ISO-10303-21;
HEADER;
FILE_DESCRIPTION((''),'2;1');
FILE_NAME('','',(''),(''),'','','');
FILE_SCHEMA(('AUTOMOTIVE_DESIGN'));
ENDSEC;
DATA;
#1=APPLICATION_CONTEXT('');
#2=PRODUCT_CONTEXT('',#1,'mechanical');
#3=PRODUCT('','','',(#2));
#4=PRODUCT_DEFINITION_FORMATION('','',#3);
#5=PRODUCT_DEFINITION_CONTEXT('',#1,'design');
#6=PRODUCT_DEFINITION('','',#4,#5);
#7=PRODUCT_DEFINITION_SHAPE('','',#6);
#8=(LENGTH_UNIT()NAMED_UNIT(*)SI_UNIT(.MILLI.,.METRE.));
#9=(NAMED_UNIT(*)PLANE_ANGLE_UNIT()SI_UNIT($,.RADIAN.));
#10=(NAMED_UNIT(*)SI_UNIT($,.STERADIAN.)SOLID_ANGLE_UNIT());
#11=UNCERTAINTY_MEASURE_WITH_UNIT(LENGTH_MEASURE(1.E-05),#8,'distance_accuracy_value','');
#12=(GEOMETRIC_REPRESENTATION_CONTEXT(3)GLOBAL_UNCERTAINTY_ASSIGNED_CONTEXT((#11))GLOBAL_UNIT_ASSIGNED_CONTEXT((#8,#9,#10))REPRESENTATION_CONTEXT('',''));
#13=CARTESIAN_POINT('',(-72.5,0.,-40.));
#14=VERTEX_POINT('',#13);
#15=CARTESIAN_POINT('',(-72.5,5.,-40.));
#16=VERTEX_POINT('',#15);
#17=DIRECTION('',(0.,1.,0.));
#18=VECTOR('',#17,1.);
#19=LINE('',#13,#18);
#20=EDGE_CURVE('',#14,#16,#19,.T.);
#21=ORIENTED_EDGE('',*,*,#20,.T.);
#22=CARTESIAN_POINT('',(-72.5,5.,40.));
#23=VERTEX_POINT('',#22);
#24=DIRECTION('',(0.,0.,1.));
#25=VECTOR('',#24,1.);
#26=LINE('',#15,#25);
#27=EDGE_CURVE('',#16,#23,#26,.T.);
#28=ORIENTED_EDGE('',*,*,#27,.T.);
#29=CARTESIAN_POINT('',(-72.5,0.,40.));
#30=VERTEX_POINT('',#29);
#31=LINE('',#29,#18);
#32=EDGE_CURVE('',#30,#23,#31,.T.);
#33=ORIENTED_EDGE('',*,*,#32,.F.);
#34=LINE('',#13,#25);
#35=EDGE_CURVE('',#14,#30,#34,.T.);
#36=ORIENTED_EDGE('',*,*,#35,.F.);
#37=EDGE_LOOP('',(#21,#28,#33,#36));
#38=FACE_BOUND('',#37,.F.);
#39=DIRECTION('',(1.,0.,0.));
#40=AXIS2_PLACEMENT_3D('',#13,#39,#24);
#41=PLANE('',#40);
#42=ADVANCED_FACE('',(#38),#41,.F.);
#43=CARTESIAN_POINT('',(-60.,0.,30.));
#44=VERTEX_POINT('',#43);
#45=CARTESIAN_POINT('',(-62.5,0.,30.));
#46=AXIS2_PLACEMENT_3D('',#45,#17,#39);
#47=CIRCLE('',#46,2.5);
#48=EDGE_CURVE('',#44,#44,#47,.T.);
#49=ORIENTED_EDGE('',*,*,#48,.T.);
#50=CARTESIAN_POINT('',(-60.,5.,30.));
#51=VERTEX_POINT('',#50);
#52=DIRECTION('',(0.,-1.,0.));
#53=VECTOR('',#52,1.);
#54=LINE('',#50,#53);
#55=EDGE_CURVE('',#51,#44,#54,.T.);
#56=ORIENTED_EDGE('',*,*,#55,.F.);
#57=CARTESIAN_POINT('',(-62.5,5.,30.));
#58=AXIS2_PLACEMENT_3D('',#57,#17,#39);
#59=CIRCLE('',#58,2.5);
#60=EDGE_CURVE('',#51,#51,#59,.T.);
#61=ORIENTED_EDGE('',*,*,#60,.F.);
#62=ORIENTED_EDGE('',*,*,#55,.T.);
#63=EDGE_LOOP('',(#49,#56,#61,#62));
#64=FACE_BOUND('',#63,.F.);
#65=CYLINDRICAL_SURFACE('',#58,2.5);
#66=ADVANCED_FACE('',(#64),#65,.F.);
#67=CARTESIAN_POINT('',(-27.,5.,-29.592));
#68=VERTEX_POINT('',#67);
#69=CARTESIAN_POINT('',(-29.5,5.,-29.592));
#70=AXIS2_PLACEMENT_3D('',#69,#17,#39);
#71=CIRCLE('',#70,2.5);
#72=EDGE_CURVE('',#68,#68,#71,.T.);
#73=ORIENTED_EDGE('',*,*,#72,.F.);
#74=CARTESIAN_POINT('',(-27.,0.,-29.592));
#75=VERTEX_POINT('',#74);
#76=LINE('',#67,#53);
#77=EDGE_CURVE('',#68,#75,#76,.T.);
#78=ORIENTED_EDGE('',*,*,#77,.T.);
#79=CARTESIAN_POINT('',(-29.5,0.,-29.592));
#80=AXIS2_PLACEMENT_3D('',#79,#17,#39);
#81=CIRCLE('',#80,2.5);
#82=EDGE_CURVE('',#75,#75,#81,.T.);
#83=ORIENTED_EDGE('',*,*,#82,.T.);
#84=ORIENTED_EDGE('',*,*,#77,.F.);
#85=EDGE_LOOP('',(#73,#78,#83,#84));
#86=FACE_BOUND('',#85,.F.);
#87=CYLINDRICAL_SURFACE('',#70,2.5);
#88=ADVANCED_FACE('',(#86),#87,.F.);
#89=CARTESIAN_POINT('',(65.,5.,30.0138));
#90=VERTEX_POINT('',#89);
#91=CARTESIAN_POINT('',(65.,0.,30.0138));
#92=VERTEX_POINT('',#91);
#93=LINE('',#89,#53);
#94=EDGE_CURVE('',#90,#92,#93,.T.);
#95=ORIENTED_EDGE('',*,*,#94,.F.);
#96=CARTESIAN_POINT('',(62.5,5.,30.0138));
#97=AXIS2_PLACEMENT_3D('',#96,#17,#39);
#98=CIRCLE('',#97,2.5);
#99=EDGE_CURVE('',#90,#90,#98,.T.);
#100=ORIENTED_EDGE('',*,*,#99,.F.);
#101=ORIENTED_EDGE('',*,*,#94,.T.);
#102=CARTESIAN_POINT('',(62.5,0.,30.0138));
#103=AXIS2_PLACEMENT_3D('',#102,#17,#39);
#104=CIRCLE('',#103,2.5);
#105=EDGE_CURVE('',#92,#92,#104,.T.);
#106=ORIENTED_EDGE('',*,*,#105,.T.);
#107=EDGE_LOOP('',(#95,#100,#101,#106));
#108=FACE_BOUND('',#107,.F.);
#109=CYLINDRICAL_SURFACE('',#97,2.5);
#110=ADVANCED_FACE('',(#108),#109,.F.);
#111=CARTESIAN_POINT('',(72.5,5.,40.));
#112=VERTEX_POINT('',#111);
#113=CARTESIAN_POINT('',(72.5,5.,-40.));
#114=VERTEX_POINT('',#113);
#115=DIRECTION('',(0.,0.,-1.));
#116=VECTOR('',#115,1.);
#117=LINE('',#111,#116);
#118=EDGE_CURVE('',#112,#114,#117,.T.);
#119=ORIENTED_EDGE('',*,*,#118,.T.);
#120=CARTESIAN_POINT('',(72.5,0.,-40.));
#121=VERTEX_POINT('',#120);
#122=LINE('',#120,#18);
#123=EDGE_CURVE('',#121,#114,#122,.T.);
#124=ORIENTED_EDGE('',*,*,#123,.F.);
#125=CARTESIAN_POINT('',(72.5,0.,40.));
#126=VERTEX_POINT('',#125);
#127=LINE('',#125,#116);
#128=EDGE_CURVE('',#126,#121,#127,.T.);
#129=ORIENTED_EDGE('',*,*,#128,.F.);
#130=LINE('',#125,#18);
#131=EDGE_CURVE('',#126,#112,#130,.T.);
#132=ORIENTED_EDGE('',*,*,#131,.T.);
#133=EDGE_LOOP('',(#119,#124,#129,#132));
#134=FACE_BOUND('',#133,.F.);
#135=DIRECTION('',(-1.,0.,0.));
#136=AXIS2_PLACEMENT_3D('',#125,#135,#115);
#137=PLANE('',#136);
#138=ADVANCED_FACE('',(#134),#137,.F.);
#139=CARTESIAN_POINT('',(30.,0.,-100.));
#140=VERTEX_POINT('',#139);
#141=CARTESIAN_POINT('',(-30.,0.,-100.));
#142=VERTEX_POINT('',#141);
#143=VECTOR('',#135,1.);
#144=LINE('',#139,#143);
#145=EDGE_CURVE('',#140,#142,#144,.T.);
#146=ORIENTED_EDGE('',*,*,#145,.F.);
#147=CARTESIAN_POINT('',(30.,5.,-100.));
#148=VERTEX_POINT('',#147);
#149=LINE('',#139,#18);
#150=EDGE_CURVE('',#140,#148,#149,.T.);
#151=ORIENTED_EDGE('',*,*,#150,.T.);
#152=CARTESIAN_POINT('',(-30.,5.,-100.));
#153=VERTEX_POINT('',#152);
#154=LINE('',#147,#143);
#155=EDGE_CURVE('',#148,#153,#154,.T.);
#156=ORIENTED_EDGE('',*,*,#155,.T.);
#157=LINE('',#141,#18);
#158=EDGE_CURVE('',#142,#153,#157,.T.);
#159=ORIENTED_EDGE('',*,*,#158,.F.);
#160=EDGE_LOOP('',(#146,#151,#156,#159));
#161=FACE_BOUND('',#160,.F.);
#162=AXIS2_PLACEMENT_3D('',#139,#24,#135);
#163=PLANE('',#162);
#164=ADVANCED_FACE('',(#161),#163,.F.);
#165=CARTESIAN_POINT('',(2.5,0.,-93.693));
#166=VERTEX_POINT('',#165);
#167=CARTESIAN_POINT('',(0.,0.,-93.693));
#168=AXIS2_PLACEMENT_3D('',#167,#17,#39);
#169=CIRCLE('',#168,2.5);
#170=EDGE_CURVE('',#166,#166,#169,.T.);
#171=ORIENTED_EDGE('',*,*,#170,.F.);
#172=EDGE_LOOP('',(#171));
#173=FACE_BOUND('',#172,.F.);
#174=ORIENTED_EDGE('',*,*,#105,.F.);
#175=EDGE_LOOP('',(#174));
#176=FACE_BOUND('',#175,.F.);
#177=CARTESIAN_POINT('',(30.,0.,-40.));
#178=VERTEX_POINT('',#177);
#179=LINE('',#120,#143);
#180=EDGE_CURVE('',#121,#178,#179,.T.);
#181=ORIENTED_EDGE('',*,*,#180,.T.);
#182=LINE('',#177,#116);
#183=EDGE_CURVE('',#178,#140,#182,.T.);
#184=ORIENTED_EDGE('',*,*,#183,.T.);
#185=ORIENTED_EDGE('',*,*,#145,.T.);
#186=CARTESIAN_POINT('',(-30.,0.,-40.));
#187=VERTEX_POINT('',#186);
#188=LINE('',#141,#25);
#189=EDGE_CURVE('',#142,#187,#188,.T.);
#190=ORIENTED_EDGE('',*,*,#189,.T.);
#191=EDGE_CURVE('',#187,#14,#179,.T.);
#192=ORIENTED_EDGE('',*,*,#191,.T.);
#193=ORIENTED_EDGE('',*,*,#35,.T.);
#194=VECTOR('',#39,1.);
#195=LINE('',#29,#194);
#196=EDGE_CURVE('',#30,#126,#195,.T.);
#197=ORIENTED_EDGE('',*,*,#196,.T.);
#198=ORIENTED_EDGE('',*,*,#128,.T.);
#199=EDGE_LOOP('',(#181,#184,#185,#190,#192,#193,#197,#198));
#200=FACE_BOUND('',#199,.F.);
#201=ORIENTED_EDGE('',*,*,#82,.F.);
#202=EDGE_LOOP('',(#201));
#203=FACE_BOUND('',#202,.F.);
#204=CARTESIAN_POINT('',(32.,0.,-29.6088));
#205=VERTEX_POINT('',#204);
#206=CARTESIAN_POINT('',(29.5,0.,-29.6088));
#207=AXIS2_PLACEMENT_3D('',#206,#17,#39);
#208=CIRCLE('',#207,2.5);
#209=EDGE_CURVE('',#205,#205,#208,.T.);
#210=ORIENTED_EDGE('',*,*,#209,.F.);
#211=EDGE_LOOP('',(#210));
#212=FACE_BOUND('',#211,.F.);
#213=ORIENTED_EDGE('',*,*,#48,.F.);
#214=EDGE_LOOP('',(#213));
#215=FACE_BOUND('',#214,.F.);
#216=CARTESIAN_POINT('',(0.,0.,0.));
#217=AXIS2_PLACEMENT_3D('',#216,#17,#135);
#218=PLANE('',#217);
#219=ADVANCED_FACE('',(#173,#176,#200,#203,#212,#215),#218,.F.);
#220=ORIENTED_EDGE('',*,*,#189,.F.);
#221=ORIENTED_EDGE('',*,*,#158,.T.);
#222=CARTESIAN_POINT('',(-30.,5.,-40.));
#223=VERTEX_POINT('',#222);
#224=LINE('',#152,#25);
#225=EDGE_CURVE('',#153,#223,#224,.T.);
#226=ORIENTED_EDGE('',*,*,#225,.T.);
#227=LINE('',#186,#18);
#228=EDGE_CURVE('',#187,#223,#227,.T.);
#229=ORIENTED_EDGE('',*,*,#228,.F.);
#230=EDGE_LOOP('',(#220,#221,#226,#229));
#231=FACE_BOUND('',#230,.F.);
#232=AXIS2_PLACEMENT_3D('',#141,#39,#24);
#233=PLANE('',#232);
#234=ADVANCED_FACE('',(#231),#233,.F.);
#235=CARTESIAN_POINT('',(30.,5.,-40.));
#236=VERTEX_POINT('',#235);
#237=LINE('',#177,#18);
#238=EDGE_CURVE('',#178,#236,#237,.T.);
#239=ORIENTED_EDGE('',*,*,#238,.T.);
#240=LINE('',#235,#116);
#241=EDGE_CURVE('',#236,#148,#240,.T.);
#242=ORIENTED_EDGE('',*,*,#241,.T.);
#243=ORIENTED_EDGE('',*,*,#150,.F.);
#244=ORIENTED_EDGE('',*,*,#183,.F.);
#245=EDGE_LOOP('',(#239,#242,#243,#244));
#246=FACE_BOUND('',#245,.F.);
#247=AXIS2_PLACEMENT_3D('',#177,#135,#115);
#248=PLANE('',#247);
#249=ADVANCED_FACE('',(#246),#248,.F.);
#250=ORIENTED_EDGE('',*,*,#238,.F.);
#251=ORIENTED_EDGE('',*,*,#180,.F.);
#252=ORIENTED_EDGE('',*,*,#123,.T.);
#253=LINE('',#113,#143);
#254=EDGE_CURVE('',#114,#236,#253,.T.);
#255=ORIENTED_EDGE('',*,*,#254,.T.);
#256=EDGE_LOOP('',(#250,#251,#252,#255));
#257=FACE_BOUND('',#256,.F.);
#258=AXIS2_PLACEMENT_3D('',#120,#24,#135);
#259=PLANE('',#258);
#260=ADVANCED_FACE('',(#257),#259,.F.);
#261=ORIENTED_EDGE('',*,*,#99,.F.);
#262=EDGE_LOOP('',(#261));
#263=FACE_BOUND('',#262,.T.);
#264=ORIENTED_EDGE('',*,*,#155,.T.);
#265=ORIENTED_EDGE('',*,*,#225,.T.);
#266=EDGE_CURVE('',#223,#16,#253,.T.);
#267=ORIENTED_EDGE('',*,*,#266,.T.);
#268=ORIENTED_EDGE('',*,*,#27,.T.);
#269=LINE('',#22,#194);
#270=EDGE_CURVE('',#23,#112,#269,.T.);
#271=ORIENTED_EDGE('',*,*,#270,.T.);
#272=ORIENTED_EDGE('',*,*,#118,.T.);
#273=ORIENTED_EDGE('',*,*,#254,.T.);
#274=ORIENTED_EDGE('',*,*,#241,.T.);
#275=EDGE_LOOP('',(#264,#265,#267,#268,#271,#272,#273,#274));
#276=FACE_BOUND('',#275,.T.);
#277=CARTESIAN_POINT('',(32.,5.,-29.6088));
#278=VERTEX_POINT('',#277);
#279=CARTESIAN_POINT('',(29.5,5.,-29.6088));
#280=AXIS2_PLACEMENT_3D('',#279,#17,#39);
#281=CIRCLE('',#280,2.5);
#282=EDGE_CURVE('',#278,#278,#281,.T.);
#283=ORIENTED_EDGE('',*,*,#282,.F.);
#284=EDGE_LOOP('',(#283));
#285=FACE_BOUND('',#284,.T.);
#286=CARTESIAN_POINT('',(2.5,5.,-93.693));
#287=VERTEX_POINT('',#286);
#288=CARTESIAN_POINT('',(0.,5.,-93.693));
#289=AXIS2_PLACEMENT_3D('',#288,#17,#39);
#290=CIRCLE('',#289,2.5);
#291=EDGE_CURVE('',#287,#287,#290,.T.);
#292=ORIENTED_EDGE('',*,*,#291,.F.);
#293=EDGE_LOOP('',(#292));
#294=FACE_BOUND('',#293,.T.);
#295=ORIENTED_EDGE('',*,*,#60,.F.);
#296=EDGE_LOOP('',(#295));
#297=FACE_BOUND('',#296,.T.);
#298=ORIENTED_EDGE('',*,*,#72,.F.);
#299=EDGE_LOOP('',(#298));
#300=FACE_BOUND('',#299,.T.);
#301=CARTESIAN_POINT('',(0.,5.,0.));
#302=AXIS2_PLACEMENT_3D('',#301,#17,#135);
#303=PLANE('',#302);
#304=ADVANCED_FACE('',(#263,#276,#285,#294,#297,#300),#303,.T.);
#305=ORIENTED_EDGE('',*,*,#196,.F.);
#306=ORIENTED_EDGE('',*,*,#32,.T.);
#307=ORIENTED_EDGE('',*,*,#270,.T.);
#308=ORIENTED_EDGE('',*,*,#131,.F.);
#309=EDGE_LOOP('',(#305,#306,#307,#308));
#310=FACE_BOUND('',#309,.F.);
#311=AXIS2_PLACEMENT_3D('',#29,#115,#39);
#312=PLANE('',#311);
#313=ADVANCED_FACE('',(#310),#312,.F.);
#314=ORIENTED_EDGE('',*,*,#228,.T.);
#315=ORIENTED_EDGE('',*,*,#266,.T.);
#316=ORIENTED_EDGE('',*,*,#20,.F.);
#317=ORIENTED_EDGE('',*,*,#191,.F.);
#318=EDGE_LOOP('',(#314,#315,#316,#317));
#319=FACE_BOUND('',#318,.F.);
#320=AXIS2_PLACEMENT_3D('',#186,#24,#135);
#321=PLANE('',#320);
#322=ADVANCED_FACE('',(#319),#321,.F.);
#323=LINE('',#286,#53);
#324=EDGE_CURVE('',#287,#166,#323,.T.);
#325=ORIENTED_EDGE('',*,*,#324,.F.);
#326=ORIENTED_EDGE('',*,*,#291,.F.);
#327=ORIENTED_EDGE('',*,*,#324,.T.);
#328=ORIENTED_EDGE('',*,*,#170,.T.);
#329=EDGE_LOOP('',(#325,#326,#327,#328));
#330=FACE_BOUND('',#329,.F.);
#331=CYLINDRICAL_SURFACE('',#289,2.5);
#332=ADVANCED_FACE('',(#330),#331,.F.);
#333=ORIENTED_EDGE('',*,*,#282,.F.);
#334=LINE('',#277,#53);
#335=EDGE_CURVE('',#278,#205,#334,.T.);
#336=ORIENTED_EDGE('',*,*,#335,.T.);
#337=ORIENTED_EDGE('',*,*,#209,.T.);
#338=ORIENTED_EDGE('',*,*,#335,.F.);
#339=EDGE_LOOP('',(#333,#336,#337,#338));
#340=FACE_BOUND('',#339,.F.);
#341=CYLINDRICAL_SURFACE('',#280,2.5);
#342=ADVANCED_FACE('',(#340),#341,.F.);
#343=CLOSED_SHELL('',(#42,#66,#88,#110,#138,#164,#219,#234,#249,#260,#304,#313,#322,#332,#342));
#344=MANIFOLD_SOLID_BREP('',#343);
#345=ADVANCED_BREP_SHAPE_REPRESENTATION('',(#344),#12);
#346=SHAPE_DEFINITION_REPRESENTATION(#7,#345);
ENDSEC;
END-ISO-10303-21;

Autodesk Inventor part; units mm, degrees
ref_plane "YZ Plane" through (0, 0, 0) normal (1, 0, 0) x (0, 1, 0)
ref_plane "XZ Plane" through (0, 0, 0) normal (0, 1, 0) x (-1, 0, 0)
ref_plane "XY Plane" through (0, 0, 0) normal (0, 0, 1) x (1, 0, 0)
sketch "Sketch1" plane through (0, 0, 0) normal (0, 1, 0) x (-1, 0, 0)
  line L0 (72.5, 40) -> (-72.5, 40)
  line L1 (-72.5, 40) -> (-72.5, -40)
  line L2 (-72.5, -40) -> (72.5, -40)
  line L3 (72.5, -40) -> (72.5, 40)
  line L4 (72.5, 40) -> (-72.5, -40) construction
  line L5 (-72.5, 40) -> (72.5, -40) construction
  line L6 (30, -40) -> (-30, -40)
  line L7 (-30, -40) -> (-30, -100)
  line L8 (-30, -100) -> (30, -100)
  line L9 (30, -100) -> (30, -40)
  point P0 (0, 0)
  dimension "d0" = 145
  dimension "d1" = 80
  dimension "d2" = 60
  dimension "d3" = 60
  dimension "d4" = 42.5
extrude "Extrusion1" add sketch "Sketch1" along normal blind 5
sketch "Sketch2" plane through (0, 5, 0) normal (0, 1, 0) x (1, 0, 0)
  circle A0 centre (62.5, -30.0138) radius 2.5
  circle A1 centre (-29.5, 29.592) radius 2.5
  circle A2 centre (-62.5, -30) radius 2.5
  circle A3 centre (29.5, 29.6088) radius 2.5
  line L0 (-72.5, 25.8201) -> (-72.5, -40)
  line L1 (-72.5, -40) -> (79.2535, -40)
  circle A4 centre (0, 93.693) radius 2.5
  line L2 (-72.5, -40) -> (72.5, -40) projected
  line L3 (-72.5, 40) -> (-72.5, -40) projected
  point P0 (0, 0)
  point P1 (0, 0)
  dimension "d1" = 80
  dimension "d7" = 5
  dimension "d8" = 5
  dimension "d9" = 5
  dimension "d10" = 5
  dimension "d11" = 59
  dimension "d12" = 125
  dimension "d13" = 33
  dimension "d14" = 59.592
  dimension "d15" = 10
  dimension "d16" = 10
  dimension "d17" = 5
  dimension "d18" = 64.101
  dimension "d19" = 0
  dimension "d20" = 0
extrude "Extrusion2" cut sketch "Sketch2" against normal through all
properties part number "chasis_tapa"
